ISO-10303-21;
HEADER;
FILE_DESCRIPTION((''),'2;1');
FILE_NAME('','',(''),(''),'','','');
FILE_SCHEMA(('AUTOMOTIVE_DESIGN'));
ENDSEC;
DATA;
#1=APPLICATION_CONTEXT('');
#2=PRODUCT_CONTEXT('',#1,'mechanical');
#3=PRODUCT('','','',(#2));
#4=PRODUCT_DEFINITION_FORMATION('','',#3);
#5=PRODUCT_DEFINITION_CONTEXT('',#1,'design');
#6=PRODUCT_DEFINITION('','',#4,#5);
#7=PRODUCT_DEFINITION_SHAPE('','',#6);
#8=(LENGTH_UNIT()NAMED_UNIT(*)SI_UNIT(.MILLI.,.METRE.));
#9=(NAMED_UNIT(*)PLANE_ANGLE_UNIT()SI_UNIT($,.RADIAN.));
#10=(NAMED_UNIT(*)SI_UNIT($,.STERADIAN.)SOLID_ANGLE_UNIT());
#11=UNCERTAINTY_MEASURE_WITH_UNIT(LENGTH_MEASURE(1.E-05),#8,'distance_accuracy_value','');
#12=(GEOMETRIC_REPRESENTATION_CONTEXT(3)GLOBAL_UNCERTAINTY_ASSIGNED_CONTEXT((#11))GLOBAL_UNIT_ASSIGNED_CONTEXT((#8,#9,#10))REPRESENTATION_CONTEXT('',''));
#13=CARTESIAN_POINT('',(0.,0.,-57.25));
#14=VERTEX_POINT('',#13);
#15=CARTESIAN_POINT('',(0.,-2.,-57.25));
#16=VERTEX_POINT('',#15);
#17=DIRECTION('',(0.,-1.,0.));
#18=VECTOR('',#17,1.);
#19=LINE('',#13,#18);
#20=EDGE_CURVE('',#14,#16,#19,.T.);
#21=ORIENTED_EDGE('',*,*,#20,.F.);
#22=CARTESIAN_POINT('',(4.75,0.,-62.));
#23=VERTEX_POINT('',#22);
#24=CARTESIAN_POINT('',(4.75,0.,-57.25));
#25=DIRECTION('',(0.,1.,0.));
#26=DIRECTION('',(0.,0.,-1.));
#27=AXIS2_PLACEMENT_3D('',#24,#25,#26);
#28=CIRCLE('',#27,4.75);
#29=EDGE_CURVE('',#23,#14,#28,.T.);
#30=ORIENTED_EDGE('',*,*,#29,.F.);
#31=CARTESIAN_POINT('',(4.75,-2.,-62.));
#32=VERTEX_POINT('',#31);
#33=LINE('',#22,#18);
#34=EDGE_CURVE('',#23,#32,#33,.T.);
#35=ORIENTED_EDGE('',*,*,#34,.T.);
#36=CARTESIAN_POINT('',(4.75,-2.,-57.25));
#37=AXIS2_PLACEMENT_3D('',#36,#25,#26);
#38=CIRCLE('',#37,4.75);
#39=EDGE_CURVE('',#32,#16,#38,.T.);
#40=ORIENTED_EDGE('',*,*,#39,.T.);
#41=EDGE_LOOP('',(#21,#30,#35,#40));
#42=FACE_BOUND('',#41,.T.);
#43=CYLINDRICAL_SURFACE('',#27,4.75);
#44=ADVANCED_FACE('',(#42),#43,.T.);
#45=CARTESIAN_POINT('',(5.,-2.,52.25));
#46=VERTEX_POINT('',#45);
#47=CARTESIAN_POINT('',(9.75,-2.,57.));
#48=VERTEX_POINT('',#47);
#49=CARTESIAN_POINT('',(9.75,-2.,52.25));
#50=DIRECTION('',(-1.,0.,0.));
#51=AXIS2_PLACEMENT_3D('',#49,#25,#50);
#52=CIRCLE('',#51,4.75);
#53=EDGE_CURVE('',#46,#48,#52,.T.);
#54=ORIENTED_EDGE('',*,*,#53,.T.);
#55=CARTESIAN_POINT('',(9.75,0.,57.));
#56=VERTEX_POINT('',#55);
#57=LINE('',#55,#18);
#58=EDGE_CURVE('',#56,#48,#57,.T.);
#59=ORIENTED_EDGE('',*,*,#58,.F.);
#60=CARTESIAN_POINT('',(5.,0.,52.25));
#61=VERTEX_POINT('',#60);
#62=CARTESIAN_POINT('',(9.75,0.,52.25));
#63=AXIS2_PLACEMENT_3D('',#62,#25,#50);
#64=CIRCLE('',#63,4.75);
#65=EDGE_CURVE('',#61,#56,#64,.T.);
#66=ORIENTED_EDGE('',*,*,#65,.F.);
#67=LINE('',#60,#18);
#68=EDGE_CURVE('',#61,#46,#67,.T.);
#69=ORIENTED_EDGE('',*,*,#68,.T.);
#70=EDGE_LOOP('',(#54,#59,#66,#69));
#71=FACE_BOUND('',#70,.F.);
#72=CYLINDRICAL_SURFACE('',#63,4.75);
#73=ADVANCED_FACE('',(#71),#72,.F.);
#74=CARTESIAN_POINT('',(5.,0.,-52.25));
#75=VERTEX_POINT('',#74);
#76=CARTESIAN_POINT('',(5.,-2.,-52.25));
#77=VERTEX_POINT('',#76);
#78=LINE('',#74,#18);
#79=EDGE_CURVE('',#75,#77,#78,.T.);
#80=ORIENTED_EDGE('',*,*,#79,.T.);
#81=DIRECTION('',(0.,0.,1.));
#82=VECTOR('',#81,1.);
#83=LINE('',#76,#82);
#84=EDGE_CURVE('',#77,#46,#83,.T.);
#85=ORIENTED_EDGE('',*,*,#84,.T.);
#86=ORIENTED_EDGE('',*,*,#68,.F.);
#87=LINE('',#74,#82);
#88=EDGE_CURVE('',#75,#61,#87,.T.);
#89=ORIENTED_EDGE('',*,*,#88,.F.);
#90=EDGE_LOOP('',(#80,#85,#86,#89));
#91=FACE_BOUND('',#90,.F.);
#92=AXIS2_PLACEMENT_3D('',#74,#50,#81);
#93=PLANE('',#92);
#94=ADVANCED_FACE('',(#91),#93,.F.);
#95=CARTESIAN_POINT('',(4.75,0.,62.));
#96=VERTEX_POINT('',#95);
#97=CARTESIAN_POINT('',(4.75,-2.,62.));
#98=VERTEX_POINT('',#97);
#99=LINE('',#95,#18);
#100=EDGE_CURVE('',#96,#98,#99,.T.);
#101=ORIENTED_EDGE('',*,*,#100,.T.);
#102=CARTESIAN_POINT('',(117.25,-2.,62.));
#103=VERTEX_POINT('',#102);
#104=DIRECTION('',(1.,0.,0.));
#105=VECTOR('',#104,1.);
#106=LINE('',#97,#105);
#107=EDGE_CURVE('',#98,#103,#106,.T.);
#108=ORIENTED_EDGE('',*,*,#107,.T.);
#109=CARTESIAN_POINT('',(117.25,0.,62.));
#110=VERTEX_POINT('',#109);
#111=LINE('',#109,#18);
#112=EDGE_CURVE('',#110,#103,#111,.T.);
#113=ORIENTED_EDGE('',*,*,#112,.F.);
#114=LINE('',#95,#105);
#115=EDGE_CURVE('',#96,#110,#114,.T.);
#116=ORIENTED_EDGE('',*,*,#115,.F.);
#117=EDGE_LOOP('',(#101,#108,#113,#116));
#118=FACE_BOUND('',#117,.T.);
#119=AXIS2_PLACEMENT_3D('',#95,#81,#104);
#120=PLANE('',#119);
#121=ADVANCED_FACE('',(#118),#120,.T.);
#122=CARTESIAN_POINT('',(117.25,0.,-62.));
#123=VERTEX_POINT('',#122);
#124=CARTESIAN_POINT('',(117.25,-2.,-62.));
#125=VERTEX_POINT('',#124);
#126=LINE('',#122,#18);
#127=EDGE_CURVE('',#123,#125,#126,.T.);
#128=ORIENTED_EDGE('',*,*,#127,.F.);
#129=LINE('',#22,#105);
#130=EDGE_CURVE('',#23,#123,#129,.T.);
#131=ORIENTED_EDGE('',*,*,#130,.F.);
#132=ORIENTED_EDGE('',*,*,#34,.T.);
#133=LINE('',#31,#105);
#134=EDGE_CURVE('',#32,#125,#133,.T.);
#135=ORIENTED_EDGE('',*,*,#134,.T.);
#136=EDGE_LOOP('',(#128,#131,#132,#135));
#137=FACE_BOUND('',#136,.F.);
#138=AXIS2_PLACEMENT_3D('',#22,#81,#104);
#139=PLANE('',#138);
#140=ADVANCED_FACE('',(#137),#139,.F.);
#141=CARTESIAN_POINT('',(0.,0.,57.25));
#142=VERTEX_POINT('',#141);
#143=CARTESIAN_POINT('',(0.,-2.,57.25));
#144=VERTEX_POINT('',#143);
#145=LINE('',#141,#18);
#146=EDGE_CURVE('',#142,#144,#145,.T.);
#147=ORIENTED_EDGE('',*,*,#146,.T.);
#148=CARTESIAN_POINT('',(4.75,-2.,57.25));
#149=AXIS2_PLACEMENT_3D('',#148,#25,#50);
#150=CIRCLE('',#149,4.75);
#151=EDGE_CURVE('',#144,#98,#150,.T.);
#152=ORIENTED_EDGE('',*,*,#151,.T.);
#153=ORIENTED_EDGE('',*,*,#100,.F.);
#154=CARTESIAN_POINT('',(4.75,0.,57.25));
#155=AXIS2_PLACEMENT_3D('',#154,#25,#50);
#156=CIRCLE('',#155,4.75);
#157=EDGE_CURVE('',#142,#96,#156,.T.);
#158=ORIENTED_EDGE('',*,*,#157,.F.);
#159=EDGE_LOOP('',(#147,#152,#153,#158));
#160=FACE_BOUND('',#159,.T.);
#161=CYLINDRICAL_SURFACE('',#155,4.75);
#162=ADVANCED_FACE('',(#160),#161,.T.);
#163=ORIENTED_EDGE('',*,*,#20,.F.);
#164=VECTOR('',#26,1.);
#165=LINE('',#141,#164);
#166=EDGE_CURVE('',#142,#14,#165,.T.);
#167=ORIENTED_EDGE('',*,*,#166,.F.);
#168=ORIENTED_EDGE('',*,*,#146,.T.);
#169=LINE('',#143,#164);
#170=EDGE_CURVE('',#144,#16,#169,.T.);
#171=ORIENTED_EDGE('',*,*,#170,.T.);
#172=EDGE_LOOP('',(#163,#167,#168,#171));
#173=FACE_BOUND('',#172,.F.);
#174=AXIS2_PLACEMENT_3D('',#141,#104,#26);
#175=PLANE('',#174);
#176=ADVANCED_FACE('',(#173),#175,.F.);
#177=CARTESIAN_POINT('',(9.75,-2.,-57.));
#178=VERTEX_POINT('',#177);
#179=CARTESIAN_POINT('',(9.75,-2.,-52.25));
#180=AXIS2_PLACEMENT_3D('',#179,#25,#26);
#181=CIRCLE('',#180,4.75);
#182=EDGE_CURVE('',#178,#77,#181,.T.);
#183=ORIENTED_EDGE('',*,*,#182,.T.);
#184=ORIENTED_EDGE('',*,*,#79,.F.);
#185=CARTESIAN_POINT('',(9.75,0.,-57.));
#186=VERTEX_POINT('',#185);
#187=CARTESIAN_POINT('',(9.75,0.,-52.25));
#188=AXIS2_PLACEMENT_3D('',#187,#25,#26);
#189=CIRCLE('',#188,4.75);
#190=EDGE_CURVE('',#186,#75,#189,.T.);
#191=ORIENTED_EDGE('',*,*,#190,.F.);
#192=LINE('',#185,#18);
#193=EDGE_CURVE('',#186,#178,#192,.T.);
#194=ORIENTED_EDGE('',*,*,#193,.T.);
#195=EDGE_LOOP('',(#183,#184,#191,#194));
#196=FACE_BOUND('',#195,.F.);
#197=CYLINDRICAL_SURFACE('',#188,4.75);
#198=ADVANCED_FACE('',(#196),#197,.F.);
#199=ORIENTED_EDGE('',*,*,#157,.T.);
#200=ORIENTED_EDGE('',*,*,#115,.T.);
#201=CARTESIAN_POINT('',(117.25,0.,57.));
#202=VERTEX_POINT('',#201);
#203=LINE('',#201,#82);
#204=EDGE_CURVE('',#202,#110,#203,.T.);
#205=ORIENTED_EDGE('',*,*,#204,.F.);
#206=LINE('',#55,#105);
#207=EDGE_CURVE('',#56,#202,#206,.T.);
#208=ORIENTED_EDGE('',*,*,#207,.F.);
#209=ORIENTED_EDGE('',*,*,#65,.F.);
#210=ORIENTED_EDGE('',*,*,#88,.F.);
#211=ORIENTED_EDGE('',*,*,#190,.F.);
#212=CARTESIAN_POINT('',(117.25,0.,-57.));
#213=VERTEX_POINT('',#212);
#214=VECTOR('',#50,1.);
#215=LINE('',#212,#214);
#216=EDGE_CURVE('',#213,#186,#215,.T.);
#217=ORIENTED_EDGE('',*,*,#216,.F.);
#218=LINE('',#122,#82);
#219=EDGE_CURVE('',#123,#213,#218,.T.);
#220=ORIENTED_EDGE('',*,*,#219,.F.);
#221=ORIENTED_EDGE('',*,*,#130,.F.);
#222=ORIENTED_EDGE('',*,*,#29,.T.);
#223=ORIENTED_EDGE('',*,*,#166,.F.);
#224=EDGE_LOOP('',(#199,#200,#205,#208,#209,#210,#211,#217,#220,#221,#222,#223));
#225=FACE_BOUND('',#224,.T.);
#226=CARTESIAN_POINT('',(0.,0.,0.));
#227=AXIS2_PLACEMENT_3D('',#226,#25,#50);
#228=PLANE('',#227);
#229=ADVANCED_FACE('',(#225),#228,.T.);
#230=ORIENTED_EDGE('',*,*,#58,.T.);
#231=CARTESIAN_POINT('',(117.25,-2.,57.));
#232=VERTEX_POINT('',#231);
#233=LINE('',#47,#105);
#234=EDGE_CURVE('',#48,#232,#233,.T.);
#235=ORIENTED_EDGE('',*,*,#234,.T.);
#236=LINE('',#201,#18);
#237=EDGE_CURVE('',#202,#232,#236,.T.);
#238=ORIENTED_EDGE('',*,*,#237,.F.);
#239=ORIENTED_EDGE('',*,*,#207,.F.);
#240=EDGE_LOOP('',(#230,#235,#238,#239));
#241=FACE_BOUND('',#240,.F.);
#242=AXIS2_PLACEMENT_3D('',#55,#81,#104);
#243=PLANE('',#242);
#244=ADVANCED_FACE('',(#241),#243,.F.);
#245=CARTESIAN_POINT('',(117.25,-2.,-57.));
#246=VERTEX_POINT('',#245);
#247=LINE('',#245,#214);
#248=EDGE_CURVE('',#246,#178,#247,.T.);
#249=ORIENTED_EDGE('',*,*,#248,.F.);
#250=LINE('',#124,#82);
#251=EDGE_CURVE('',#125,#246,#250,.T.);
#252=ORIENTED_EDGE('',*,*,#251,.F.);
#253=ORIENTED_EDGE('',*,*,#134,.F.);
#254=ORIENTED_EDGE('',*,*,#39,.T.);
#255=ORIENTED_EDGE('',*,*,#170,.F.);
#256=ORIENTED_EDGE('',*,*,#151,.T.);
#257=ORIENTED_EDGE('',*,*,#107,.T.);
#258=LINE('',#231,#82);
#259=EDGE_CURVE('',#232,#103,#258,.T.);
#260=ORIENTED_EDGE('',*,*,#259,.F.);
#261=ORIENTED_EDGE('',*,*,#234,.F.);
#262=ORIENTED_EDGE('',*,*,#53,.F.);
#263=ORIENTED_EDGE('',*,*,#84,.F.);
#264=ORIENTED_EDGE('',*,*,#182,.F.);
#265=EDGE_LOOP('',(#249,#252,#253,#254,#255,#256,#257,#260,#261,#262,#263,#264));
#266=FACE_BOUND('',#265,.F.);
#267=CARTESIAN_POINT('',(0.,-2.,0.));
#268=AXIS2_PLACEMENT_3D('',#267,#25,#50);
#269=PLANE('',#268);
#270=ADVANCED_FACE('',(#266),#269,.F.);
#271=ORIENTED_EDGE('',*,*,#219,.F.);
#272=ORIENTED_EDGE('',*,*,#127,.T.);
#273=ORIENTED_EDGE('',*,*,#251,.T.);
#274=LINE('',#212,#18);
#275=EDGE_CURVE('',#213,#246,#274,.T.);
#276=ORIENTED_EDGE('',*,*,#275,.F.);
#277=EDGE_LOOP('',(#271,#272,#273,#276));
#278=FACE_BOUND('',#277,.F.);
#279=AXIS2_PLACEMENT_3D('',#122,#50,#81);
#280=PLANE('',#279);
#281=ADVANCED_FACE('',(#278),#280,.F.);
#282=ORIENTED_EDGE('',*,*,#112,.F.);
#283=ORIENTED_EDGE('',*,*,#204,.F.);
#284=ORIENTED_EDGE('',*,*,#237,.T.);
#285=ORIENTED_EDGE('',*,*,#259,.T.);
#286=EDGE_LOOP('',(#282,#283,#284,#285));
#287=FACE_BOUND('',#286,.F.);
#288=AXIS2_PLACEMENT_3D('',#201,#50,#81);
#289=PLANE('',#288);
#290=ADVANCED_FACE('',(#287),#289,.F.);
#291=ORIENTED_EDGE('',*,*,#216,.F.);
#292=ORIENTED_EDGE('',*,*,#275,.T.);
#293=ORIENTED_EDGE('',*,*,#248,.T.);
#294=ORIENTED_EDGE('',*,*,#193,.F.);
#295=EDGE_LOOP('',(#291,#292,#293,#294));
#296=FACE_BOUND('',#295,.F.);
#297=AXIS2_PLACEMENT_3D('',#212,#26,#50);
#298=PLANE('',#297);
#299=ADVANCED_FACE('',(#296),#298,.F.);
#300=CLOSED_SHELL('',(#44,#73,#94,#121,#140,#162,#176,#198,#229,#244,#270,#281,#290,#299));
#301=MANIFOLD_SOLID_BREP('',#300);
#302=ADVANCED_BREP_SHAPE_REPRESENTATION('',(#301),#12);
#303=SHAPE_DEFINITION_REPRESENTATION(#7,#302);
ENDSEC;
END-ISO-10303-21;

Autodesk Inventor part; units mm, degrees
ref_plane "YZ Plane" through (0, 0, 0) normal (1, 0, 0) x (0, 1, 0)
ref_plane "XZ Plane" through (0, 0, 0) normal (0, 1, 0) x (-1, 0, 0)
ref_plane "XY Plane" through (0, 0, 0) normal (0, 0, 1) x (1, 0, 0)
sketch "Sketch1" plane through (0, 0, 0) normal (0, 1, 0) x (-1, 0, 0)
  line L0 (0, 62) -> (0, 57.25) construction
  line L1 (0, 62) -> (-4.75, 62) construction
  line L2 (0, -62) -> (-4.75, -62) construction
  line L3 (-117.25, -57) -> (-9.75, -57)
  line L4 (-5, -57) -> (-5, -52.25) construction
  line L5 (-5, 57) -> (-9.75, 57) construction
  line L6 (-117.25, 57) -> (-117.25, 62)
  line L7 (-117.25, -62) -> (-117.25, -57)
  arc A0 (-5, 52.25) -> (-9.75, 57) centre (-9.75, 52.25) ccw
  arc A1 (-9.75, -57) -> (-5, -52.25) centre (-9.75, -52.25) ccw
  arc A2 (0, 57.25) -> (-4.75, 62) centre (-4.75, 57.25) ccw
  arc A3 (-4.75, -62) -> (0, -57.25) centre (-4.75, -57.25) ccw
  line L8 (0, 57.25) -> (0, -57.25)
  line L9 (-4.75, 62) -> (-117.25, 62)
  line L10 (0, -57.25) -> (0, -62) construction
  line L11 (-4.75, -62) -> (-117.25, -62)
  line L12 (-5, -52.25) -> (-5, 52.25)
  line L13 (-9.75, -57) -> (-5, -57) construction
  line L14 (-5, 52.25) -> (-5, 57) construction
  line L15 (-9.75, 57) -> (-117.25, 57)
  arc A4 (-4.75, 62) -> (0, 57.25) centre (-4.75, 57.25) ccw construction
  arc A5 (-9.75, 57) -> (-5, 52.25) centre (-9.75, 52.25) ccw construction
  arc A6 (0, -57.25) -> (-4.75, -62) centre (-4.75, -57.25) ccw construction
  arc A7 (-5, -52.25) -> (-9.75, -57) centre (-9.75, -52.25) ccw construction
  point P0 (0, 0)
  point P1 (0, 0)
  dimension "d4" = 5
  dimension "d6" = 117.25
  dimension "d8" = 117.25
  dimension "d9" = 5
  dimension "d10" = 5
  dimension "d11" = 124
  dimension "d12" = 57
  dimension "d14" = 9.5
extrude "Plate1" add sketch "Sketch1" against normal blind 2
equation "\"d8\" = d6"
equation "\"d9\" = d4"
equation "\"d10\" = d4"
equation "\"d11\" = Ширина_крепления_корпуса + 2 * Thickness"
equation "\"d5\" = Thickness"
equation "\"BendReliefWidth\" = Thickness"
equation "\"BendReliefDepth\" = 0.5 * Thickness"
equation "\"CornerReliefSize\" = 4 * Thickness"
equation "\"MinimumRemnant\" = 2 * Thickness"
equation "\"TransitionRadius\" = BendRadius"
equation "\"JacobiRadiusSize\" = BendRadius"
equation "\"GapSize\" = Thickness"
equation "\"Ширина_крепления_корпуса\" = 120"
equation "\"Thickness\" = 2"
equation "\"BendRadius\" = 2.75"
properties part number "Опоры на кожухе" material "Stainless Steel"
